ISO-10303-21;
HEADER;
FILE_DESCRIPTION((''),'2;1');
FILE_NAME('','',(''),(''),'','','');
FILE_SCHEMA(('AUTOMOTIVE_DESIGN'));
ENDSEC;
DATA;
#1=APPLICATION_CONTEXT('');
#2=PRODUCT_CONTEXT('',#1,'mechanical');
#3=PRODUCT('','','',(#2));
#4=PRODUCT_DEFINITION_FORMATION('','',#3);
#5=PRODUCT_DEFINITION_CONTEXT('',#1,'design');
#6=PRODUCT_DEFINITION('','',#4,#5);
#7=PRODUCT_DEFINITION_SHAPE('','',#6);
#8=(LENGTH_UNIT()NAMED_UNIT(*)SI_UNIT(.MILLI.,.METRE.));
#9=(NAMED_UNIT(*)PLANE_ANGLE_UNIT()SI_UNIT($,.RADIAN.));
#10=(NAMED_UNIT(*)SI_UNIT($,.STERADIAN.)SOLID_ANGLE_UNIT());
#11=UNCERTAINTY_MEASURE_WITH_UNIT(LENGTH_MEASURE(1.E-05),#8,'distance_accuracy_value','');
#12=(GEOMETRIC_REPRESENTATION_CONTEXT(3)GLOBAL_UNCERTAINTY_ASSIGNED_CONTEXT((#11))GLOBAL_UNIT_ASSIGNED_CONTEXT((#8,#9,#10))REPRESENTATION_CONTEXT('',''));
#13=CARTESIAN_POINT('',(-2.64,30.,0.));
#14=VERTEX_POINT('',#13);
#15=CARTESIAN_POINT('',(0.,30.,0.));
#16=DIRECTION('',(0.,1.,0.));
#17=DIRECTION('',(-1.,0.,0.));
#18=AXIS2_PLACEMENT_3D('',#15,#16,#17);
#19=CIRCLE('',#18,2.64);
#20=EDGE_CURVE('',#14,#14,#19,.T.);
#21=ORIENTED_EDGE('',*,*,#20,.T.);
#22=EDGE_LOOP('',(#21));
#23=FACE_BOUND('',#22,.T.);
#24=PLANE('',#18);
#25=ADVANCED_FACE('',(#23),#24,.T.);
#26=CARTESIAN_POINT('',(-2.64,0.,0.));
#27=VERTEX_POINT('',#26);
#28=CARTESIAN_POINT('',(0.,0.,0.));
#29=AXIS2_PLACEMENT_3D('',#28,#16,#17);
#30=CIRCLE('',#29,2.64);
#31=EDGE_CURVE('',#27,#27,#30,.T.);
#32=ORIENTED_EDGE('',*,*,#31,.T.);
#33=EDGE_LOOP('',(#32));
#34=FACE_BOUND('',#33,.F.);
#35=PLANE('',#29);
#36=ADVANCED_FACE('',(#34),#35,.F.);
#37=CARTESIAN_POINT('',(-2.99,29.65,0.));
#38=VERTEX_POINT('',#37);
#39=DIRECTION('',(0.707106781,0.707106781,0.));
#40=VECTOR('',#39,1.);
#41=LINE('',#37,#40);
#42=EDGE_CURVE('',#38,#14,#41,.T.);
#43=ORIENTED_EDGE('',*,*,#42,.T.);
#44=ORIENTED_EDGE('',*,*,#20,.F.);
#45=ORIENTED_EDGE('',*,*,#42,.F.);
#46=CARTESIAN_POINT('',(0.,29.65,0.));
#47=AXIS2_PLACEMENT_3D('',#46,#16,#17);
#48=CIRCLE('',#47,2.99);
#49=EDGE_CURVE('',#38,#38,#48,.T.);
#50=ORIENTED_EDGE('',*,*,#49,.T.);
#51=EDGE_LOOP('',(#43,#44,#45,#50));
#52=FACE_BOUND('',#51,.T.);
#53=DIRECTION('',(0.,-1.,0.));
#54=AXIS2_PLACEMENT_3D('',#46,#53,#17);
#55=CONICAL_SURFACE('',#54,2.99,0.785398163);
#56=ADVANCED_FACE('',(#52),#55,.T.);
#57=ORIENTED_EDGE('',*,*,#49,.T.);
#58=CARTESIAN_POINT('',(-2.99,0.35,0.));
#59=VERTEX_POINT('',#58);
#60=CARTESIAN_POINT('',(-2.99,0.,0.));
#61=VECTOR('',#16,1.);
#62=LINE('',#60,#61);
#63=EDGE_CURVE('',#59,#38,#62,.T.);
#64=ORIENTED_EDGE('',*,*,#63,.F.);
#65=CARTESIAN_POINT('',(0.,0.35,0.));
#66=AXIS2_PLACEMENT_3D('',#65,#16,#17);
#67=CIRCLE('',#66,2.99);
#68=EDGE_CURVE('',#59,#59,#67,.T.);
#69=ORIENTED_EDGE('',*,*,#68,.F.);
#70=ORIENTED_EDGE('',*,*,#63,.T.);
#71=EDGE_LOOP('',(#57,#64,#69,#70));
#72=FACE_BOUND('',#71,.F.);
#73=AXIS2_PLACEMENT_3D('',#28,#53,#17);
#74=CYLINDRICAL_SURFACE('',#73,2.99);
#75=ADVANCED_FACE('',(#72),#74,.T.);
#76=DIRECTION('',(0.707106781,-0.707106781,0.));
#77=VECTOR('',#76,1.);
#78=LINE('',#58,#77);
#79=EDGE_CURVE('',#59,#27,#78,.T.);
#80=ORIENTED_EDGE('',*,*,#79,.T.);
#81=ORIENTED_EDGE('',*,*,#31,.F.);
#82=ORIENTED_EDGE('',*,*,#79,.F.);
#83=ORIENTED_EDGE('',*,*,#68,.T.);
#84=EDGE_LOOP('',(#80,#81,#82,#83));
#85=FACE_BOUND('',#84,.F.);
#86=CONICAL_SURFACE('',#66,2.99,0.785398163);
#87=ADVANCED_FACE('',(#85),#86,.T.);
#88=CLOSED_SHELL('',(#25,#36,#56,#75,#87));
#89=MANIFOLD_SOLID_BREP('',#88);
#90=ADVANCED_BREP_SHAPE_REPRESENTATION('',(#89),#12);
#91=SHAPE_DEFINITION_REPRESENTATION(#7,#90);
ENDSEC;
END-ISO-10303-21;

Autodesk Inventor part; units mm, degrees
ref_plane "YZ Plane" through (0, 0, 0) normal (1, 0, 0) x (0, 1, 0)
ref_plane "XZ Plane" through (0, 0, 0) normal (0, 1, 0) x (-1, 0, 0)
ref_plane "XY Plane" through (0, 0, 0) normal (0, 0, 1) x (1, 0, 0)
sketch "Skizze1" plane through (0, 0, 0) normal (0, 1, 0) x (-1, 0, 0)
  circle A0 centre (0, 0) radius 2.99
  dimension "d0" = 5.98
extrude "Extrusion1" add sketch "Skizze1" along normal blind 30
chamfer "Fasen1" distance 0.35 angle 45 2 edges at (2.99, 30, 0) (2.99, 0, 0)
properties part number "kolbenverbindung"
